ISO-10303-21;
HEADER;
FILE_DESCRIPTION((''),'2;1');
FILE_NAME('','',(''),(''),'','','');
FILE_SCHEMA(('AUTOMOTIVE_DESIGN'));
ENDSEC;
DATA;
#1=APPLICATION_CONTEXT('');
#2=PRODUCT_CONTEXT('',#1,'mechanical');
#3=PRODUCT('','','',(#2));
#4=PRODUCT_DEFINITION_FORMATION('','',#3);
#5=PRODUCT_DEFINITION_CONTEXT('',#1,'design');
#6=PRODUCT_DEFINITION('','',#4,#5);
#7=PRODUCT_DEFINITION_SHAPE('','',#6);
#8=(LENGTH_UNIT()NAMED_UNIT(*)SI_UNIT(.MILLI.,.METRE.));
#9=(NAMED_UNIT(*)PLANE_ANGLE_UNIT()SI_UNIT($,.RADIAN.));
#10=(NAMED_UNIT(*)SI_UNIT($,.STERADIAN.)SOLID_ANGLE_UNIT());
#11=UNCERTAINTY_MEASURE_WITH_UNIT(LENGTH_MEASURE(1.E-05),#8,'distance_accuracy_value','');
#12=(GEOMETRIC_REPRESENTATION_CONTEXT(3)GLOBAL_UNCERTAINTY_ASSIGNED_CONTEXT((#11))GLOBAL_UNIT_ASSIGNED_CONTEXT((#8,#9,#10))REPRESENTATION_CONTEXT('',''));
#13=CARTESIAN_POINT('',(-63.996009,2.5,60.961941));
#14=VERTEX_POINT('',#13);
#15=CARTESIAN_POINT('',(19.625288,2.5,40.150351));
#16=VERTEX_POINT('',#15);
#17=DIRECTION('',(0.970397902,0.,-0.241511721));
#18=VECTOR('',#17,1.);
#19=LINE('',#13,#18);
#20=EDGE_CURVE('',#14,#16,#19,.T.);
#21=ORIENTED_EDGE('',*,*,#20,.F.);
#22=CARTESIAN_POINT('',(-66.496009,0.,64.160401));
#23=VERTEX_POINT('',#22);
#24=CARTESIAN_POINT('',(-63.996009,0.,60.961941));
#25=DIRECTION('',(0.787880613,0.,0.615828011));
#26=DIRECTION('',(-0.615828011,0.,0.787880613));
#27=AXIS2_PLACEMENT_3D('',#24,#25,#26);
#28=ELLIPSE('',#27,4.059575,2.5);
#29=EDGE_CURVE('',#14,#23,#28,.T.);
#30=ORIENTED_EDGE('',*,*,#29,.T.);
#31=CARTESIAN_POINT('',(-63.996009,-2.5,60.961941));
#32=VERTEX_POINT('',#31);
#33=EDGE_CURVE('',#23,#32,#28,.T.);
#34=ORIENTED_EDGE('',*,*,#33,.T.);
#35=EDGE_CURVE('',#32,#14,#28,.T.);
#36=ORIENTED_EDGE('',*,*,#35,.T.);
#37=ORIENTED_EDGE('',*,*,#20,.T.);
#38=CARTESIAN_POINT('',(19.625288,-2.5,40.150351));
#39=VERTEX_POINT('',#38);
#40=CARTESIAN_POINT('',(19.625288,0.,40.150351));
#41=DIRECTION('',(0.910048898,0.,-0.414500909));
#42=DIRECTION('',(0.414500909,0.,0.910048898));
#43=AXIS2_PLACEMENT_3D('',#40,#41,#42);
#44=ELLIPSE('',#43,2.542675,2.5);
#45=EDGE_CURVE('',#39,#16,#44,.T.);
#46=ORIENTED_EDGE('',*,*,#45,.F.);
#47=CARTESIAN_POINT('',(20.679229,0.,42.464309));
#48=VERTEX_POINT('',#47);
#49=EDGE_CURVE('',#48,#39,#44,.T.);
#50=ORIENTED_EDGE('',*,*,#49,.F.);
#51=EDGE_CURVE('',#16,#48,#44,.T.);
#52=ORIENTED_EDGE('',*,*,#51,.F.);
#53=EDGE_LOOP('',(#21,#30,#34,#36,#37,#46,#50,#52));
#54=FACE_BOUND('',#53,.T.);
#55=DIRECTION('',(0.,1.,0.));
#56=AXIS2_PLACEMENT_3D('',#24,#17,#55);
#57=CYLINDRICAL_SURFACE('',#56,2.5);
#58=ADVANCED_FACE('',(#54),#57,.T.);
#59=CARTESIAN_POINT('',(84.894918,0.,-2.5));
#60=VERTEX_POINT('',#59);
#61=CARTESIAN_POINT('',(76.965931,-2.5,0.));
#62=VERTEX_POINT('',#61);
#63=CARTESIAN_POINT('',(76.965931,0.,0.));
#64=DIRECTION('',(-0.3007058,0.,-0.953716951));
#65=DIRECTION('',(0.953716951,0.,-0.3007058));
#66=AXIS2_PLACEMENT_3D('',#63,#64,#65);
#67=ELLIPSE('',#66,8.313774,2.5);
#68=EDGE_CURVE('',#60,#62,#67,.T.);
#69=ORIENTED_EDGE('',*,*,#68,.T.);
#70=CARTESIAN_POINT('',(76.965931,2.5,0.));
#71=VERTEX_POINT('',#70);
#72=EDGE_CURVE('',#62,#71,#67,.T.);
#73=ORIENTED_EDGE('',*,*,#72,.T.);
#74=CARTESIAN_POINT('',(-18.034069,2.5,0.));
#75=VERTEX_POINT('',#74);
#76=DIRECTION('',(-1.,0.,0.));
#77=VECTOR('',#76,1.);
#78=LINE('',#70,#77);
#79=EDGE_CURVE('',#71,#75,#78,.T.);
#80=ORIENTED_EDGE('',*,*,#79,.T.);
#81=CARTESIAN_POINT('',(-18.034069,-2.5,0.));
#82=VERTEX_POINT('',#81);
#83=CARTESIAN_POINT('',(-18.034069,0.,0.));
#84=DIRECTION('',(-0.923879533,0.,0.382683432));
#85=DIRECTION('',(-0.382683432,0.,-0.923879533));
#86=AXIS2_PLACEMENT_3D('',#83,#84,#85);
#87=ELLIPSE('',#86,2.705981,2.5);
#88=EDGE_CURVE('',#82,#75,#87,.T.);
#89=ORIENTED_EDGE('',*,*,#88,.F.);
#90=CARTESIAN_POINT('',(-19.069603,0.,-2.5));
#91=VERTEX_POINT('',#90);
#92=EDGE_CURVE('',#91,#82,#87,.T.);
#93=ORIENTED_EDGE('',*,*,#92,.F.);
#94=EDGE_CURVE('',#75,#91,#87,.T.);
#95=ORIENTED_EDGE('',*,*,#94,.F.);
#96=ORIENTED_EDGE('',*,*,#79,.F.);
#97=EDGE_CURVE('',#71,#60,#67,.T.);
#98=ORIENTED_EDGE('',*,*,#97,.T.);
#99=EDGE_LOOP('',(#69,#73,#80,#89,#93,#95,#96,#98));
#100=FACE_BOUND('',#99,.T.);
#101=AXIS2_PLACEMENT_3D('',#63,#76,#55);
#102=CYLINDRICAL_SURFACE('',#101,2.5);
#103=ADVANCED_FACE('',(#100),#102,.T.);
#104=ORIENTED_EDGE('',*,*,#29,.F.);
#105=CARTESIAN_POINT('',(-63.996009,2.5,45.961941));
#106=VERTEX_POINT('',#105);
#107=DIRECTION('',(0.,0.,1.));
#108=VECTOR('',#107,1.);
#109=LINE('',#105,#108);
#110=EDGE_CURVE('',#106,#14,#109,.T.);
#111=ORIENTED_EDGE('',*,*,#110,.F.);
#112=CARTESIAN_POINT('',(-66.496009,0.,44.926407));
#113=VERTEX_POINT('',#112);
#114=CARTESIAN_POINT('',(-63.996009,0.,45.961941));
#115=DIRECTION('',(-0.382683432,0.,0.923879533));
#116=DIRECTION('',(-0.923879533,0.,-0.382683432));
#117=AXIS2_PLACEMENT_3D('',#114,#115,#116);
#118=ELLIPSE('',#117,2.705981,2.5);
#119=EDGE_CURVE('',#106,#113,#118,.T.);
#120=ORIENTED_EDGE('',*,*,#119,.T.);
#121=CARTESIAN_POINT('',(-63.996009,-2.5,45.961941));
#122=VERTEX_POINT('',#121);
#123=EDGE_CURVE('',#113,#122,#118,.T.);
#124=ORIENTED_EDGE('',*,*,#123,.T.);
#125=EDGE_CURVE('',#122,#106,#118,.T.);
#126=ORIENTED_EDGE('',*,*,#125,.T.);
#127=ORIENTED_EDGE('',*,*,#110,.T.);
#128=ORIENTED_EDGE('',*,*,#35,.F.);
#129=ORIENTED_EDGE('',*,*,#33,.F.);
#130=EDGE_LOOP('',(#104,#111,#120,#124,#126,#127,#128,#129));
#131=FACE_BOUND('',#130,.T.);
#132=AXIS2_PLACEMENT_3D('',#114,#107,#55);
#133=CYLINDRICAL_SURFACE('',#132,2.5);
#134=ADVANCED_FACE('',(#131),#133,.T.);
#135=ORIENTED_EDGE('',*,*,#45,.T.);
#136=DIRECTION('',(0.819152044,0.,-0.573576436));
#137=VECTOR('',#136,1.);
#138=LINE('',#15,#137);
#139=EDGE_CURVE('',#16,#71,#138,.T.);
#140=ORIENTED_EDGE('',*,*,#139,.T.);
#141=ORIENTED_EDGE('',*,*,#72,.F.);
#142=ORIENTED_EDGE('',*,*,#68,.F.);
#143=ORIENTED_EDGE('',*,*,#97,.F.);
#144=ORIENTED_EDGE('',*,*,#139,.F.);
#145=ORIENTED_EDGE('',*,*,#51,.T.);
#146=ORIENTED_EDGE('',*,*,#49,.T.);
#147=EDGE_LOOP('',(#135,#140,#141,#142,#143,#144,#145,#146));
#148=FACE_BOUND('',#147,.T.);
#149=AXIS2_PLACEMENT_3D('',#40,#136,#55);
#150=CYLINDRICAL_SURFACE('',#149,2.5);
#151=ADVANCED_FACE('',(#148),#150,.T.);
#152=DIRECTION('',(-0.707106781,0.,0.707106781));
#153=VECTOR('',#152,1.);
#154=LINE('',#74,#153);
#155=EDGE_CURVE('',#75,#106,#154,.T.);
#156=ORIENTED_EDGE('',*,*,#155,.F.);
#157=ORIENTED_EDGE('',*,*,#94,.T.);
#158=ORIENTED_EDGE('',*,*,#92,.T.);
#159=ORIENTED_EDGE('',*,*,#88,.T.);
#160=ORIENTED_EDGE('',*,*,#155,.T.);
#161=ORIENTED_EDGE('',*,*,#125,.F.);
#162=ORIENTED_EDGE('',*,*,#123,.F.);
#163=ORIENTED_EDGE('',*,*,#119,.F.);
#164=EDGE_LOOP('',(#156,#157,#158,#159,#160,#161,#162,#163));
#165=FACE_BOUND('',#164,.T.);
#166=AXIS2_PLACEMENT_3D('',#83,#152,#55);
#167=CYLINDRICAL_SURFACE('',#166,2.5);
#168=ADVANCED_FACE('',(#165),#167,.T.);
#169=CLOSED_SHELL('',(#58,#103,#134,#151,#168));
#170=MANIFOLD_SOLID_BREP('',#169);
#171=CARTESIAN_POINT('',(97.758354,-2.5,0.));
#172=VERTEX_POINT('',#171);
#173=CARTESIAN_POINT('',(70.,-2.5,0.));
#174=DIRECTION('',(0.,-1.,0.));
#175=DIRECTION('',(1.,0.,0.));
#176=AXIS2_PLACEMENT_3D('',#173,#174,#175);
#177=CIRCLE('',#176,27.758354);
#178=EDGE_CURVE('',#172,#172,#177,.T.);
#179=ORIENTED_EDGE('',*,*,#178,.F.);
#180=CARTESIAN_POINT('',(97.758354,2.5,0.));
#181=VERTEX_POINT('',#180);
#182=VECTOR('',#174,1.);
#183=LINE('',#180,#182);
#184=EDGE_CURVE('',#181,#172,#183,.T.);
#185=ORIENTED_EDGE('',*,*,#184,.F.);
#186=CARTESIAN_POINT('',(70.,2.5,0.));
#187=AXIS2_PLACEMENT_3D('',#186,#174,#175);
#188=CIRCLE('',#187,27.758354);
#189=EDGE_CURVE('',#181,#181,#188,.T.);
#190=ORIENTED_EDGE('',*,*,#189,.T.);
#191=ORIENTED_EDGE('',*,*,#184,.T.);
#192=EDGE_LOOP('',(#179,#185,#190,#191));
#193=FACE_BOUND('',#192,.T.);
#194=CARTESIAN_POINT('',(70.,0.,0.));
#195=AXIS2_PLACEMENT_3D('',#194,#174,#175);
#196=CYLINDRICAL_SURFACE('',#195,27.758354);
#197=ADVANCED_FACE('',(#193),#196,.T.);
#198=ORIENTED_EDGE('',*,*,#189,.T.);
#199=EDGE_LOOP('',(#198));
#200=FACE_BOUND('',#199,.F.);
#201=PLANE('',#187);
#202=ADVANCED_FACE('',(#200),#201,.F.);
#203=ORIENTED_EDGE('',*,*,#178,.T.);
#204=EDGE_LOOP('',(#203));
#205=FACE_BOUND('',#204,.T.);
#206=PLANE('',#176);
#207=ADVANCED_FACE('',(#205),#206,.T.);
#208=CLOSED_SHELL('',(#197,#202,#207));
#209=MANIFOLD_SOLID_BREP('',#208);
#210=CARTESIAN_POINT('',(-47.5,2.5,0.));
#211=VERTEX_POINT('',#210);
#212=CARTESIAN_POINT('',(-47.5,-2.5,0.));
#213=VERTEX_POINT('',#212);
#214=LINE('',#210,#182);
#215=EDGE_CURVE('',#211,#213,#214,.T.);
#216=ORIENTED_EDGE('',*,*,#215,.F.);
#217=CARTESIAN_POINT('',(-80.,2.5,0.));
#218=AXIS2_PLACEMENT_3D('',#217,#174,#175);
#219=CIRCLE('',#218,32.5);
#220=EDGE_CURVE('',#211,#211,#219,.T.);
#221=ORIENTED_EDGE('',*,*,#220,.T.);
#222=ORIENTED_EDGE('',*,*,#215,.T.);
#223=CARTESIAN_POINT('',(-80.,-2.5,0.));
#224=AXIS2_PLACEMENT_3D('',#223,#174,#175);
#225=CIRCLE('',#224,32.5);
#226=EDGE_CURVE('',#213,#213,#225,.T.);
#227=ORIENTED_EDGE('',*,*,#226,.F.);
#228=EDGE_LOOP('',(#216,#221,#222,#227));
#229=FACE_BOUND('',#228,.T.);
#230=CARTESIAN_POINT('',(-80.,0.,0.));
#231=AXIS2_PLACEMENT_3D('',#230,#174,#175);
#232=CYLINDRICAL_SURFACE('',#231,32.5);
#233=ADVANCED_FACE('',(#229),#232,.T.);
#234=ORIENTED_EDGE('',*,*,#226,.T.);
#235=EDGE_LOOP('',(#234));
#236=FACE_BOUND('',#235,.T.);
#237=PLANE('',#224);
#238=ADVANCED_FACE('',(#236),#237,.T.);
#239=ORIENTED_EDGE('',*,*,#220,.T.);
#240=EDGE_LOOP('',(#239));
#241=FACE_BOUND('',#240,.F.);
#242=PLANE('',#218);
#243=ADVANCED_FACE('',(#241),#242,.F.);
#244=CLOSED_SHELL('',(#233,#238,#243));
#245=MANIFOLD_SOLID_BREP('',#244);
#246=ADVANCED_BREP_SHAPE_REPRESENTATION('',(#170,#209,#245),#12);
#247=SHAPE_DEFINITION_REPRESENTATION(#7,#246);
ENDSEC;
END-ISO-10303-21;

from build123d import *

# Parameters (mm, degrees)
F0_R     = 27.7583541482
F1_DEPTH = 2.5
F0_R_2   = 32.5
F3_R     = 2.5


with BuildPart() as f1:
    # F0 (on Front) → F1 (new body, symmetric)
    with BuildSketch(Plane.XZ):
        with Locations((70, 0)):
            Circle(F0_R)
    extrude(amount=F1_DEPTH, both=True)


with BuildPart() as f1b:
    # F0 (on Front) → F1, piece 2 (new body, symmetric)
    with BuildSketch(Plane.XZ):
        with Locations((-80, 0)):
            Circle(F0_R_2)
    extrude(amount=F1_DEPTH, both=True)


with BuildPart() as f4:
    # F4: sweep along a path in F2
    with BuildLine(Plane.XZ) as f4_path:
        Line((76.965931304, 0), (-18.034068696, 0))
        Line((-18.034068696, 0), (-63.9960094731, 45.9619407771))
        Line((-63.9960094731, 45.9619407771), (-63.9960094731, 60.9619407771))
        Line((-63.9960094731, 60.9619407771), (19.6252882037, 40.1503505446))
        Line((19.6252882037, 40.1503505446), (76.965931304, 0))
    # F3 (on Right) → F4 (sweep)
    with BuildSketch(Plane.YZ):
        Circle(F3_R)
    sweep(path=f4_path.line, transition=Transition.RIGHT)


solid = Compound([f1.part, f1b.part, f4.part])
